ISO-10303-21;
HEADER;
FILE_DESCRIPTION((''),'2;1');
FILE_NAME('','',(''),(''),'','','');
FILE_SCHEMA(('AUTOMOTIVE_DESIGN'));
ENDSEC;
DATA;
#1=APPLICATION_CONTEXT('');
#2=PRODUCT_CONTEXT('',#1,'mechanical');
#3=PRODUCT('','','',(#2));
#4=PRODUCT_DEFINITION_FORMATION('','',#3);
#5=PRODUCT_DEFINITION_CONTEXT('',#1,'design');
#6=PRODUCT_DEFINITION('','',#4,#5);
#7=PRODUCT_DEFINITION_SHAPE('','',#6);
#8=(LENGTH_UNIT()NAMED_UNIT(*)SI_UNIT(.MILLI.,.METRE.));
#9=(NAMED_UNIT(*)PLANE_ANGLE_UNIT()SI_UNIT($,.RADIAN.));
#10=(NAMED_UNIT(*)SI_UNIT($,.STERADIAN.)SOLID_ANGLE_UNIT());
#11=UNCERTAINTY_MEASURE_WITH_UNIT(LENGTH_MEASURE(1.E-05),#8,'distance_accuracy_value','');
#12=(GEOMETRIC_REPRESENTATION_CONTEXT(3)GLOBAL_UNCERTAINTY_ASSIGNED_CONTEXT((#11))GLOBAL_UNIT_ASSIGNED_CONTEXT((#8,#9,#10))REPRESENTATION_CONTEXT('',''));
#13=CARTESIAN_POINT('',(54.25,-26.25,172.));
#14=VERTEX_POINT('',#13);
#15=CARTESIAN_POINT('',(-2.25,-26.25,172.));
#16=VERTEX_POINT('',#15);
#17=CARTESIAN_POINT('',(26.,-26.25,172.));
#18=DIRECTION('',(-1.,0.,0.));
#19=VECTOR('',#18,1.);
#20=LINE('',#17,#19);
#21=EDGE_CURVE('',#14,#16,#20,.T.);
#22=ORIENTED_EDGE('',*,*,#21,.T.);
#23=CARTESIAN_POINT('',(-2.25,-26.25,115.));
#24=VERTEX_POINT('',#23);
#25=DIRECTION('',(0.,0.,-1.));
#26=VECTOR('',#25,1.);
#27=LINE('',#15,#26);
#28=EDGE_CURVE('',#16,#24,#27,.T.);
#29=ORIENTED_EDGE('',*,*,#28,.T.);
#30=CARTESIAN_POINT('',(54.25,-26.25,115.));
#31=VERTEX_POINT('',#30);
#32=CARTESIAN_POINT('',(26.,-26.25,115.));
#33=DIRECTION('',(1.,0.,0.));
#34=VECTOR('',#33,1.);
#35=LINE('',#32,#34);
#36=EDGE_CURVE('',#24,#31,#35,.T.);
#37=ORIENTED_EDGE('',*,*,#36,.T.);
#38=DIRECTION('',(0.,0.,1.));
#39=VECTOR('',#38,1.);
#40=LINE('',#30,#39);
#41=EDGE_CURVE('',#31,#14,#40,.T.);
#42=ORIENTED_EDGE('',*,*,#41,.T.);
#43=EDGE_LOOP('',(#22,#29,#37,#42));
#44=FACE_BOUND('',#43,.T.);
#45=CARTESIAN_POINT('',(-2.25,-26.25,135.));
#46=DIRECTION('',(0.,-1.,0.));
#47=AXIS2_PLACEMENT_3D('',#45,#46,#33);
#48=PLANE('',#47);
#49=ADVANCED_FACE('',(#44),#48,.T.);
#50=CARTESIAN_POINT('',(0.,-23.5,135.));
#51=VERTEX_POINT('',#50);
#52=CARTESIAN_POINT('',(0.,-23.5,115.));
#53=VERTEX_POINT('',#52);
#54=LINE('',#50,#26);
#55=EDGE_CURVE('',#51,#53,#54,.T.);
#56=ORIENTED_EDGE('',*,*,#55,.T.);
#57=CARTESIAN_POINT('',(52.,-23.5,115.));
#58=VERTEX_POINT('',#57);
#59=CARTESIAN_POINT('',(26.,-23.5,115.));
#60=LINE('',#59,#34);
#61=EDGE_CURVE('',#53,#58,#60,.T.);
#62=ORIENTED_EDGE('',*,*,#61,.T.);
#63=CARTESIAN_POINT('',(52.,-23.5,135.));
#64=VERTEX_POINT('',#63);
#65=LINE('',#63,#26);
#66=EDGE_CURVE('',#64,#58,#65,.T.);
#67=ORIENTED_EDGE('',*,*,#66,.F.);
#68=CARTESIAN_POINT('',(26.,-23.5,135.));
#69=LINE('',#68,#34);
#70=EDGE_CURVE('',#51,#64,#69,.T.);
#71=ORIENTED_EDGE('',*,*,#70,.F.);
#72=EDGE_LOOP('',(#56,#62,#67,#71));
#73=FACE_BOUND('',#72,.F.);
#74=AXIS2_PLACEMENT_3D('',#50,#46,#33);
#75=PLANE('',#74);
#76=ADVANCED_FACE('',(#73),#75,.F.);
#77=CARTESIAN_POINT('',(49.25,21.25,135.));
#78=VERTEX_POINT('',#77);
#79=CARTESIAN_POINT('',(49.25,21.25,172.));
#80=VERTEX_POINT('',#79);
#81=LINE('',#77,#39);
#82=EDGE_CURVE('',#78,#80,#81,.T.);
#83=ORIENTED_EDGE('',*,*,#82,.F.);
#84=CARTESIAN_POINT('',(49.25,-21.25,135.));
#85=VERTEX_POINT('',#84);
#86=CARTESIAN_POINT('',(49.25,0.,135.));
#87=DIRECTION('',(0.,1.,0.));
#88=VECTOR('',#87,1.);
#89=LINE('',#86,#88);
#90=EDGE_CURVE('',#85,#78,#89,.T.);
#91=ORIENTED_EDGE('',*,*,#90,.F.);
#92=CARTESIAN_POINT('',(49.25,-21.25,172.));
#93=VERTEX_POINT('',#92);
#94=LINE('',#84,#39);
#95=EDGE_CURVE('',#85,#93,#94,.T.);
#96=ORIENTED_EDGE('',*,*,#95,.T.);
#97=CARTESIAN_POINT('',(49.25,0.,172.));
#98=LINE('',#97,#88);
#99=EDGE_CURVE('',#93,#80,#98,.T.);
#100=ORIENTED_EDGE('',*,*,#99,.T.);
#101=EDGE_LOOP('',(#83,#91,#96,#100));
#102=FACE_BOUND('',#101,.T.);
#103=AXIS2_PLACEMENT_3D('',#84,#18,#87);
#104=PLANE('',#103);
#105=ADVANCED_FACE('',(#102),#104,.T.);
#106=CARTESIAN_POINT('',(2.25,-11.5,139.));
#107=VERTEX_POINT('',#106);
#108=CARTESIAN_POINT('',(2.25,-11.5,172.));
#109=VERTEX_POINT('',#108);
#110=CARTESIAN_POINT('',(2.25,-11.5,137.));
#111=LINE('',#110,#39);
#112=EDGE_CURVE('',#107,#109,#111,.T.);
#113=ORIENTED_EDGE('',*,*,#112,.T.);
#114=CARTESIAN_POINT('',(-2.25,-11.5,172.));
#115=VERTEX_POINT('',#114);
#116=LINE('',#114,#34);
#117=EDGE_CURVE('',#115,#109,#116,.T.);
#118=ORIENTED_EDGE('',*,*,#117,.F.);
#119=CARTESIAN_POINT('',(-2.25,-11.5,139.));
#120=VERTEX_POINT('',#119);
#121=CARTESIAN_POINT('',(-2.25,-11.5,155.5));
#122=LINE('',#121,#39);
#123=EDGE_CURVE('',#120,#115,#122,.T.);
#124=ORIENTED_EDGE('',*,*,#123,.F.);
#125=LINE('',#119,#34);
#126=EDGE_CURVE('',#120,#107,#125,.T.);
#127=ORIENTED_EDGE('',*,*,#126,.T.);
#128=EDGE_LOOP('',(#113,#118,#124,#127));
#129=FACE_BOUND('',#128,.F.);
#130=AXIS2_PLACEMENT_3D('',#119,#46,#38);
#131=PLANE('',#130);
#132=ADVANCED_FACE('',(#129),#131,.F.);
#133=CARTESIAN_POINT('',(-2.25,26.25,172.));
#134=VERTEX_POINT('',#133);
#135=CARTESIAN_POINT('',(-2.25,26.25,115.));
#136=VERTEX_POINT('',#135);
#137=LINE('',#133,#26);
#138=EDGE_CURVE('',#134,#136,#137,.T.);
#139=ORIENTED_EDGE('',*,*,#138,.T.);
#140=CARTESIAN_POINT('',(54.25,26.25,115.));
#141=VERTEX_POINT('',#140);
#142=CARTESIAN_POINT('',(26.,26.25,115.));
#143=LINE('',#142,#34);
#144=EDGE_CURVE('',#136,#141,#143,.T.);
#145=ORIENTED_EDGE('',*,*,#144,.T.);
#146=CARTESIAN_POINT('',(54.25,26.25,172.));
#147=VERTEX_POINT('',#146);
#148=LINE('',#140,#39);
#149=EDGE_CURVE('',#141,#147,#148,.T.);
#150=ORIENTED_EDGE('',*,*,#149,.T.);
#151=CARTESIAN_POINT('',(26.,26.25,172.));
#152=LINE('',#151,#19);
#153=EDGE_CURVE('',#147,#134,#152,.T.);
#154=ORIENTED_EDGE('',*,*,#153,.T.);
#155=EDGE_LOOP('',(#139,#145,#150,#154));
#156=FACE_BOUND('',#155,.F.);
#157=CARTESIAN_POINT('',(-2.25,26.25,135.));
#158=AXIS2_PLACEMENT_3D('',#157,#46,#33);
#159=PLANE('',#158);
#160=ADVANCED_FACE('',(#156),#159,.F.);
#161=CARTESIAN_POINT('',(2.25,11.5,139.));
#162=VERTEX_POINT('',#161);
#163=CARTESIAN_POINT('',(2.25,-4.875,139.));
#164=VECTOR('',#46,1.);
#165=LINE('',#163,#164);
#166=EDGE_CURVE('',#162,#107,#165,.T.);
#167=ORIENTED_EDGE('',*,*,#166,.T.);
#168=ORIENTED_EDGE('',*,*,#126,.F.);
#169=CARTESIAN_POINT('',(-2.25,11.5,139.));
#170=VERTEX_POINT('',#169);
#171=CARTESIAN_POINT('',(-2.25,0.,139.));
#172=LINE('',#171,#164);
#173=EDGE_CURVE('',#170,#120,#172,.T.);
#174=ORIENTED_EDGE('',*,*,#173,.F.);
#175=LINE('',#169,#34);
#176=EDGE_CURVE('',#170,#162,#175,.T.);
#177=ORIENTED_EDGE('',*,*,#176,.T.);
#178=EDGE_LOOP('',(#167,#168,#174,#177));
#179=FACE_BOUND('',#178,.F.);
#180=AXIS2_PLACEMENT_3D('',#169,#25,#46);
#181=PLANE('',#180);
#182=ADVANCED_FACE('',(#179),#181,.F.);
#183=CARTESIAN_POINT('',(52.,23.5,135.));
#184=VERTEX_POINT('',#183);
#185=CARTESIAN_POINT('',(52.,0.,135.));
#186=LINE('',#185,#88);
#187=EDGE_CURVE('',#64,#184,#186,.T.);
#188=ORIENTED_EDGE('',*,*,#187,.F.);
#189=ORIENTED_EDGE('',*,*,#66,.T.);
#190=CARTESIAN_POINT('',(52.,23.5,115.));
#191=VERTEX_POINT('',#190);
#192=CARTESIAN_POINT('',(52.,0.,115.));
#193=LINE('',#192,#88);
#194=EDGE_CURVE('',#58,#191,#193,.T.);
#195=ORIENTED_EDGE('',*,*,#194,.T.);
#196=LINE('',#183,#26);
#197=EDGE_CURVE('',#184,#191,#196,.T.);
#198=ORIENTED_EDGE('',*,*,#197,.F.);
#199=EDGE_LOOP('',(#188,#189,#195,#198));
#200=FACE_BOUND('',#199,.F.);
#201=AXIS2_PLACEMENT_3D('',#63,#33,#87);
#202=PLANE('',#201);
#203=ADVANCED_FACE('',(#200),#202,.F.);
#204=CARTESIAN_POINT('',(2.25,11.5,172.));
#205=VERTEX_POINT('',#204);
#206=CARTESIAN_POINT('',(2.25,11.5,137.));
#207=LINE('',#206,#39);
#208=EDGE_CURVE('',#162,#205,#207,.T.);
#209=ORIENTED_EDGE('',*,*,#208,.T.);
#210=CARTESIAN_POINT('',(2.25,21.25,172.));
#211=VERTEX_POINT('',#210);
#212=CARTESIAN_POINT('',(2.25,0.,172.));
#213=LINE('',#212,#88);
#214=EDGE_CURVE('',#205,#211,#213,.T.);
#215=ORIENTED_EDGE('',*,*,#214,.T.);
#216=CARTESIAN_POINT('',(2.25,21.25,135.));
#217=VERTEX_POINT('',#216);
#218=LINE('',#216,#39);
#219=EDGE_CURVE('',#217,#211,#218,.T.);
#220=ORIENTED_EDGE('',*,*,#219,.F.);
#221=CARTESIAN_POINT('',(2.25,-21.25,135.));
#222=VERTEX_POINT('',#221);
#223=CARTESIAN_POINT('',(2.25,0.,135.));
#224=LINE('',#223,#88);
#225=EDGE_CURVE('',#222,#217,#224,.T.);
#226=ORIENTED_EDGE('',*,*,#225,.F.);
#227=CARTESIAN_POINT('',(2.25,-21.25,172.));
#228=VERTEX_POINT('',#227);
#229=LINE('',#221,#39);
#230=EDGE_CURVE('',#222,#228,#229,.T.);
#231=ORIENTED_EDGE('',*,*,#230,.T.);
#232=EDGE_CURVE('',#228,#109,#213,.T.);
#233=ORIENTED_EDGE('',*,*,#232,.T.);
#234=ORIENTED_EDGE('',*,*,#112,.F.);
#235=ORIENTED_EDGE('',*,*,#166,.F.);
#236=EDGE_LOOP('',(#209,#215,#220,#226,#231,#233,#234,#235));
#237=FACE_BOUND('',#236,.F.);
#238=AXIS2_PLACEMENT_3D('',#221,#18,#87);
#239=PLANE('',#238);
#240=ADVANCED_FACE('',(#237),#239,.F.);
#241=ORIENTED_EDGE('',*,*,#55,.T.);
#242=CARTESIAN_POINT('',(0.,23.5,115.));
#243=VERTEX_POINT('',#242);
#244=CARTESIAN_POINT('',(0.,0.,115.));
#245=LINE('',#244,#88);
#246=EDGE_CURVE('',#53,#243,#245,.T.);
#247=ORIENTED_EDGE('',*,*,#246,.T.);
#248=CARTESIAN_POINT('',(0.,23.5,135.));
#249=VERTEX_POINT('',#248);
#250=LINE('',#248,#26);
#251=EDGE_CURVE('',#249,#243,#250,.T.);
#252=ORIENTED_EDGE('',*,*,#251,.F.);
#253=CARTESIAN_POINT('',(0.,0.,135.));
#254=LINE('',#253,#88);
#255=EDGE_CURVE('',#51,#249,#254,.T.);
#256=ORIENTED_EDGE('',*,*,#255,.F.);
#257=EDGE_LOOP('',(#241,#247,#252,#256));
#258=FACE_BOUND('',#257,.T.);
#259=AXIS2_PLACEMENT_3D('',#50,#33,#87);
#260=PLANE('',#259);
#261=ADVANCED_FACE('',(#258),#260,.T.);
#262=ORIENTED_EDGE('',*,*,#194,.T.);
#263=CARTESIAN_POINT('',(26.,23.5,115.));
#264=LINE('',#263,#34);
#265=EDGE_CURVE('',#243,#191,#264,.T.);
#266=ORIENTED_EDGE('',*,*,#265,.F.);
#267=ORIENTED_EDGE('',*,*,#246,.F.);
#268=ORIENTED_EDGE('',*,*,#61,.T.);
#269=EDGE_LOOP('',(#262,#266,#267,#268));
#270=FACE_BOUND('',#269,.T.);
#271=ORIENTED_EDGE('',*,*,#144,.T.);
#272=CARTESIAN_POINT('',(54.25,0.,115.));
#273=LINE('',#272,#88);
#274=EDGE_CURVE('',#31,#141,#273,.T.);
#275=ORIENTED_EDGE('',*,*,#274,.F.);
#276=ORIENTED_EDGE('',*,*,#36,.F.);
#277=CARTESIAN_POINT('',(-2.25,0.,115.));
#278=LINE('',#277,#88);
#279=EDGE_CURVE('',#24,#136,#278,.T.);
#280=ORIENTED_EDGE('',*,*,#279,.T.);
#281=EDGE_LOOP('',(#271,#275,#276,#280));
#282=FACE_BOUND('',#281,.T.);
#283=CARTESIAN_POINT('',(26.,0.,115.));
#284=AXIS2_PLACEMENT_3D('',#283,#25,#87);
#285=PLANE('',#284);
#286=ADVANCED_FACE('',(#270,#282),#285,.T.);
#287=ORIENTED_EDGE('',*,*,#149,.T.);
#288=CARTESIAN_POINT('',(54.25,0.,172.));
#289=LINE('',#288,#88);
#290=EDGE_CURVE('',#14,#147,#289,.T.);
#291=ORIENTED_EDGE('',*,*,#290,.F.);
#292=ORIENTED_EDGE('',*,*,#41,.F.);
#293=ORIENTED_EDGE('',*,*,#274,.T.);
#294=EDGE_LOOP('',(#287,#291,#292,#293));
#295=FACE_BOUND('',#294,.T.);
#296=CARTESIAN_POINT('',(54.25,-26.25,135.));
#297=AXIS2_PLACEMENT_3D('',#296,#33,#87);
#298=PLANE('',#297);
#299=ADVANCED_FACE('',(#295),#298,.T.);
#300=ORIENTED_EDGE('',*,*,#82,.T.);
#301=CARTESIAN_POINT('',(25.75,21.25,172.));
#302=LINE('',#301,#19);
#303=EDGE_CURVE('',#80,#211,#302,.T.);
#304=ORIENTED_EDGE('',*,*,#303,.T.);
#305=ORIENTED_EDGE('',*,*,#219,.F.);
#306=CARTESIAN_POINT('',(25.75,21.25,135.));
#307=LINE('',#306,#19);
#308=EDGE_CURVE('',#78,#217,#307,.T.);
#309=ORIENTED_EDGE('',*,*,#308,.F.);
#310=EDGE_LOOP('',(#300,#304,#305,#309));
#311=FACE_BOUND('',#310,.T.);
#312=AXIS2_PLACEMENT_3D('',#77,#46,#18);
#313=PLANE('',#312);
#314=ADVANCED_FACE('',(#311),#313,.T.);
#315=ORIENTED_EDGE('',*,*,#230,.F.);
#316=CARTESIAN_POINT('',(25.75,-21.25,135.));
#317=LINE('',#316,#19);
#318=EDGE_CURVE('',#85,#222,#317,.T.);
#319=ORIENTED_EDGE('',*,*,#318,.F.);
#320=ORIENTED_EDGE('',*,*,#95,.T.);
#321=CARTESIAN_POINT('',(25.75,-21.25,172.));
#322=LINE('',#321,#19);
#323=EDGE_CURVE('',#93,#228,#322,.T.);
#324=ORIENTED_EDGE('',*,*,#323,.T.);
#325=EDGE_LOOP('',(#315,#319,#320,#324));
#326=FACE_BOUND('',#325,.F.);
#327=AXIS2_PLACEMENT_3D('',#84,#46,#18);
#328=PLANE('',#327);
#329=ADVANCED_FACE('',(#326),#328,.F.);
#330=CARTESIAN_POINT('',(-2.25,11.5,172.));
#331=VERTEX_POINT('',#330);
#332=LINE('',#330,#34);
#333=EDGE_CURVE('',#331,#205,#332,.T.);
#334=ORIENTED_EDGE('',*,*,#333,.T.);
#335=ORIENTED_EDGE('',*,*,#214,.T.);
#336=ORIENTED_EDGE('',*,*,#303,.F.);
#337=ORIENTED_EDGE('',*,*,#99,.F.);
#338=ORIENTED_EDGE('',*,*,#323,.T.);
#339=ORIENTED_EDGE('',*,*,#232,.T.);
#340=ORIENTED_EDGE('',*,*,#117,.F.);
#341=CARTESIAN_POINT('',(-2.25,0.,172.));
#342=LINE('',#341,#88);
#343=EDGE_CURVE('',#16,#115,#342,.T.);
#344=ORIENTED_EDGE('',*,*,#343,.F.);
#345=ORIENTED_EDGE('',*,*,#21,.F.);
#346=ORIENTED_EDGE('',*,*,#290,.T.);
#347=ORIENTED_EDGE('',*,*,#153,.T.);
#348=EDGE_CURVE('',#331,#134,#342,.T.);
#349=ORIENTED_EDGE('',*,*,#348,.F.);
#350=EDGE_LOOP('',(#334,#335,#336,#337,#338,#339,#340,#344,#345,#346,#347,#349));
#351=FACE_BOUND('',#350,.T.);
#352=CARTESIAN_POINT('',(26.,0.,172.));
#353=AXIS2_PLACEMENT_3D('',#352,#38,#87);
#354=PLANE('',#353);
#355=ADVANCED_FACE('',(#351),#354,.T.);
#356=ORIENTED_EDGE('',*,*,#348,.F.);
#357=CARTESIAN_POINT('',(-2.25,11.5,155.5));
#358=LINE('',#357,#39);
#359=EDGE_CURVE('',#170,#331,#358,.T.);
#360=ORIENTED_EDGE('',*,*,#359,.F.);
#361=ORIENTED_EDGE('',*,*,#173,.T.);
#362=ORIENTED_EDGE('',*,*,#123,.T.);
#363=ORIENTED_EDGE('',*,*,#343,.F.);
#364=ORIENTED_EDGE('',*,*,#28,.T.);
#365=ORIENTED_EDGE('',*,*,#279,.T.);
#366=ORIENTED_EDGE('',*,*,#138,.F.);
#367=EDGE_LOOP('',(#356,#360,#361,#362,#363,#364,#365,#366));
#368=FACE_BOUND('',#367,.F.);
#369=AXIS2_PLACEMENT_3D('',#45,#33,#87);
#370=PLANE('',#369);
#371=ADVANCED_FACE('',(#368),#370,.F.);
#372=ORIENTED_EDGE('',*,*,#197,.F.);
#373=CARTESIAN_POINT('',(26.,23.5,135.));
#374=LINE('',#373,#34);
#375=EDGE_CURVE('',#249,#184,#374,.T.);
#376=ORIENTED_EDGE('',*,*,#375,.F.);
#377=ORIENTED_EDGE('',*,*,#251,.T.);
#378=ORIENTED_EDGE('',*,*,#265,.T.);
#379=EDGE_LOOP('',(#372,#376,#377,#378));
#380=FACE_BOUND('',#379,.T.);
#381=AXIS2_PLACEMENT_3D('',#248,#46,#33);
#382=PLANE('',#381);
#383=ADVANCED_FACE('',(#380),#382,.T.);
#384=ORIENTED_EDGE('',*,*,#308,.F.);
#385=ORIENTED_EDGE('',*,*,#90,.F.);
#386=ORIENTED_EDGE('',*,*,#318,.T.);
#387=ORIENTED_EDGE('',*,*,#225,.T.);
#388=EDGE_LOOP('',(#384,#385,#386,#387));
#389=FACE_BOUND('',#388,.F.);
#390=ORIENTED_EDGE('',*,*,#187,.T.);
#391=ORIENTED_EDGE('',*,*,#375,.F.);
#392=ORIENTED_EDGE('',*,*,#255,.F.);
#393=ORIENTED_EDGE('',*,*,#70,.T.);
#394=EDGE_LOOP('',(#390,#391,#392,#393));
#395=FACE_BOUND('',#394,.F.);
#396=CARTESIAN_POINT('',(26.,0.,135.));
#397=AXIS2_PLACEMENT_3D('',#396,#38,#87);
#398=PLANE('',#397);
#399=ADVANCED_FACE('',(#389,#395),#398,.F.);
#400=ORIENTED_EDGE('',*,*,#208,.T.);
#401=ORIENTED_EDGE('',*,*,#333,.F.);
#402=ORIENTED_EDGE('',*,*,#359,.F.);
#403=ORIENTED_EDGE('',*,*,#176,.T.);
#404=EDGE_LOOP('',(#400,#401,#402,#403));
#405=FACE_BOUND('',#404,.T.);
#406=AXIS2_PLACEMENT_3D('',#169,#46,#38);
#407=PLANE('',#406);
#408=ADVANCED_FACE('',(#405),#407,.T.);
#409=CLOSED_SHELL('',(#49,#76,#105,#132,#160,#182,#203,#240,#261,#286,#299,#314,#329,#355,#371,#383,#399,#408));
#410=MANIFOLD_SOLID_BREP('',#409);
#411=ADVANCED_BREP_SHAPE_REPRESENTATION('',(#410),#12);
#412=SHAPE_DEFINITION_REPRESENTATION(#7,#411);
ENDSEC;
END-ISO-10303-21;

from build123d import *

# Parameters (mm, degrees)
SKETCH133_W             = 52.5
SKETCH133_H             = 56.5
SKETCH133_W_2           = 42.5
SKETCH133_H_2           = 47
PAD067_DEPTH            = 37
SKETCH131_W             = 23
SKETCH131_H             = 33
POCKET057_DEPTH         = 5
SKETCH135_W             = 52.5
SKETCH135_H             = 56.5
SKETCH135_W_2           = 47
SKETCH135_H_2           = 52
PAD066_DEPTH            = 20
BODY037_PLACEMENT_ANGLE = 90


with BuildPart() as part:
    # Sketch133 → Pad067 (new body)
    with BuildSketch(Plane.XY):
        with Locations((0, -26)):
            Rectangle(SKETCH133_W, SKETCH133_H)
        with Locations((0, -25.75)):
            Rectangle(SKETCH133_W_2, SKETCH133_H_2, mode=Mode.SUBTRACT)
    extrude(amount=PAD067_DEPTH)

    # Sketch131 (on Face1 of Pad067) → Pocket057 (cut)
    with BuildSketch(Plane(origin=(0, 2.25, 0), x_dir=(-1, 0, 0), z_dir=(0, 1, 0))):
        with Locations((0, 20.5)):
            Rectangle(SKETCH131_W, SKETCH131_H)
    extrude(amount=-POCKET057_DEPTH, mode=Mode.SUBTRACT)

    # Sketch135 (on Face2 of Pocket057) → Pad066 (join)
    with BuildSketch(Plane(origin=(0, 0, 0), x_dir=(1, 0, 0), z_dir=(0, 0, -1))):
        with Locations((0, 26)):
            Rectangle(SKETCH135_W, SKETCH135_H)
        with Locations((0, 26)):
            Rectangle(SKETCH135_W_2, SKETCH135_H_2, mode=Mode.SUBTRACT)
    extrude(amount=PAD066_DEPTH)


with BuildPart() as part_1:
    # Body037 placement: moved
    add(part.part.moved(Location((0, 0, 135))).rotate(Axis((0, 0, 135), (0, 0, 1)), BODY037_PLACEMENT_ANGLE))


solid = part_1.part
